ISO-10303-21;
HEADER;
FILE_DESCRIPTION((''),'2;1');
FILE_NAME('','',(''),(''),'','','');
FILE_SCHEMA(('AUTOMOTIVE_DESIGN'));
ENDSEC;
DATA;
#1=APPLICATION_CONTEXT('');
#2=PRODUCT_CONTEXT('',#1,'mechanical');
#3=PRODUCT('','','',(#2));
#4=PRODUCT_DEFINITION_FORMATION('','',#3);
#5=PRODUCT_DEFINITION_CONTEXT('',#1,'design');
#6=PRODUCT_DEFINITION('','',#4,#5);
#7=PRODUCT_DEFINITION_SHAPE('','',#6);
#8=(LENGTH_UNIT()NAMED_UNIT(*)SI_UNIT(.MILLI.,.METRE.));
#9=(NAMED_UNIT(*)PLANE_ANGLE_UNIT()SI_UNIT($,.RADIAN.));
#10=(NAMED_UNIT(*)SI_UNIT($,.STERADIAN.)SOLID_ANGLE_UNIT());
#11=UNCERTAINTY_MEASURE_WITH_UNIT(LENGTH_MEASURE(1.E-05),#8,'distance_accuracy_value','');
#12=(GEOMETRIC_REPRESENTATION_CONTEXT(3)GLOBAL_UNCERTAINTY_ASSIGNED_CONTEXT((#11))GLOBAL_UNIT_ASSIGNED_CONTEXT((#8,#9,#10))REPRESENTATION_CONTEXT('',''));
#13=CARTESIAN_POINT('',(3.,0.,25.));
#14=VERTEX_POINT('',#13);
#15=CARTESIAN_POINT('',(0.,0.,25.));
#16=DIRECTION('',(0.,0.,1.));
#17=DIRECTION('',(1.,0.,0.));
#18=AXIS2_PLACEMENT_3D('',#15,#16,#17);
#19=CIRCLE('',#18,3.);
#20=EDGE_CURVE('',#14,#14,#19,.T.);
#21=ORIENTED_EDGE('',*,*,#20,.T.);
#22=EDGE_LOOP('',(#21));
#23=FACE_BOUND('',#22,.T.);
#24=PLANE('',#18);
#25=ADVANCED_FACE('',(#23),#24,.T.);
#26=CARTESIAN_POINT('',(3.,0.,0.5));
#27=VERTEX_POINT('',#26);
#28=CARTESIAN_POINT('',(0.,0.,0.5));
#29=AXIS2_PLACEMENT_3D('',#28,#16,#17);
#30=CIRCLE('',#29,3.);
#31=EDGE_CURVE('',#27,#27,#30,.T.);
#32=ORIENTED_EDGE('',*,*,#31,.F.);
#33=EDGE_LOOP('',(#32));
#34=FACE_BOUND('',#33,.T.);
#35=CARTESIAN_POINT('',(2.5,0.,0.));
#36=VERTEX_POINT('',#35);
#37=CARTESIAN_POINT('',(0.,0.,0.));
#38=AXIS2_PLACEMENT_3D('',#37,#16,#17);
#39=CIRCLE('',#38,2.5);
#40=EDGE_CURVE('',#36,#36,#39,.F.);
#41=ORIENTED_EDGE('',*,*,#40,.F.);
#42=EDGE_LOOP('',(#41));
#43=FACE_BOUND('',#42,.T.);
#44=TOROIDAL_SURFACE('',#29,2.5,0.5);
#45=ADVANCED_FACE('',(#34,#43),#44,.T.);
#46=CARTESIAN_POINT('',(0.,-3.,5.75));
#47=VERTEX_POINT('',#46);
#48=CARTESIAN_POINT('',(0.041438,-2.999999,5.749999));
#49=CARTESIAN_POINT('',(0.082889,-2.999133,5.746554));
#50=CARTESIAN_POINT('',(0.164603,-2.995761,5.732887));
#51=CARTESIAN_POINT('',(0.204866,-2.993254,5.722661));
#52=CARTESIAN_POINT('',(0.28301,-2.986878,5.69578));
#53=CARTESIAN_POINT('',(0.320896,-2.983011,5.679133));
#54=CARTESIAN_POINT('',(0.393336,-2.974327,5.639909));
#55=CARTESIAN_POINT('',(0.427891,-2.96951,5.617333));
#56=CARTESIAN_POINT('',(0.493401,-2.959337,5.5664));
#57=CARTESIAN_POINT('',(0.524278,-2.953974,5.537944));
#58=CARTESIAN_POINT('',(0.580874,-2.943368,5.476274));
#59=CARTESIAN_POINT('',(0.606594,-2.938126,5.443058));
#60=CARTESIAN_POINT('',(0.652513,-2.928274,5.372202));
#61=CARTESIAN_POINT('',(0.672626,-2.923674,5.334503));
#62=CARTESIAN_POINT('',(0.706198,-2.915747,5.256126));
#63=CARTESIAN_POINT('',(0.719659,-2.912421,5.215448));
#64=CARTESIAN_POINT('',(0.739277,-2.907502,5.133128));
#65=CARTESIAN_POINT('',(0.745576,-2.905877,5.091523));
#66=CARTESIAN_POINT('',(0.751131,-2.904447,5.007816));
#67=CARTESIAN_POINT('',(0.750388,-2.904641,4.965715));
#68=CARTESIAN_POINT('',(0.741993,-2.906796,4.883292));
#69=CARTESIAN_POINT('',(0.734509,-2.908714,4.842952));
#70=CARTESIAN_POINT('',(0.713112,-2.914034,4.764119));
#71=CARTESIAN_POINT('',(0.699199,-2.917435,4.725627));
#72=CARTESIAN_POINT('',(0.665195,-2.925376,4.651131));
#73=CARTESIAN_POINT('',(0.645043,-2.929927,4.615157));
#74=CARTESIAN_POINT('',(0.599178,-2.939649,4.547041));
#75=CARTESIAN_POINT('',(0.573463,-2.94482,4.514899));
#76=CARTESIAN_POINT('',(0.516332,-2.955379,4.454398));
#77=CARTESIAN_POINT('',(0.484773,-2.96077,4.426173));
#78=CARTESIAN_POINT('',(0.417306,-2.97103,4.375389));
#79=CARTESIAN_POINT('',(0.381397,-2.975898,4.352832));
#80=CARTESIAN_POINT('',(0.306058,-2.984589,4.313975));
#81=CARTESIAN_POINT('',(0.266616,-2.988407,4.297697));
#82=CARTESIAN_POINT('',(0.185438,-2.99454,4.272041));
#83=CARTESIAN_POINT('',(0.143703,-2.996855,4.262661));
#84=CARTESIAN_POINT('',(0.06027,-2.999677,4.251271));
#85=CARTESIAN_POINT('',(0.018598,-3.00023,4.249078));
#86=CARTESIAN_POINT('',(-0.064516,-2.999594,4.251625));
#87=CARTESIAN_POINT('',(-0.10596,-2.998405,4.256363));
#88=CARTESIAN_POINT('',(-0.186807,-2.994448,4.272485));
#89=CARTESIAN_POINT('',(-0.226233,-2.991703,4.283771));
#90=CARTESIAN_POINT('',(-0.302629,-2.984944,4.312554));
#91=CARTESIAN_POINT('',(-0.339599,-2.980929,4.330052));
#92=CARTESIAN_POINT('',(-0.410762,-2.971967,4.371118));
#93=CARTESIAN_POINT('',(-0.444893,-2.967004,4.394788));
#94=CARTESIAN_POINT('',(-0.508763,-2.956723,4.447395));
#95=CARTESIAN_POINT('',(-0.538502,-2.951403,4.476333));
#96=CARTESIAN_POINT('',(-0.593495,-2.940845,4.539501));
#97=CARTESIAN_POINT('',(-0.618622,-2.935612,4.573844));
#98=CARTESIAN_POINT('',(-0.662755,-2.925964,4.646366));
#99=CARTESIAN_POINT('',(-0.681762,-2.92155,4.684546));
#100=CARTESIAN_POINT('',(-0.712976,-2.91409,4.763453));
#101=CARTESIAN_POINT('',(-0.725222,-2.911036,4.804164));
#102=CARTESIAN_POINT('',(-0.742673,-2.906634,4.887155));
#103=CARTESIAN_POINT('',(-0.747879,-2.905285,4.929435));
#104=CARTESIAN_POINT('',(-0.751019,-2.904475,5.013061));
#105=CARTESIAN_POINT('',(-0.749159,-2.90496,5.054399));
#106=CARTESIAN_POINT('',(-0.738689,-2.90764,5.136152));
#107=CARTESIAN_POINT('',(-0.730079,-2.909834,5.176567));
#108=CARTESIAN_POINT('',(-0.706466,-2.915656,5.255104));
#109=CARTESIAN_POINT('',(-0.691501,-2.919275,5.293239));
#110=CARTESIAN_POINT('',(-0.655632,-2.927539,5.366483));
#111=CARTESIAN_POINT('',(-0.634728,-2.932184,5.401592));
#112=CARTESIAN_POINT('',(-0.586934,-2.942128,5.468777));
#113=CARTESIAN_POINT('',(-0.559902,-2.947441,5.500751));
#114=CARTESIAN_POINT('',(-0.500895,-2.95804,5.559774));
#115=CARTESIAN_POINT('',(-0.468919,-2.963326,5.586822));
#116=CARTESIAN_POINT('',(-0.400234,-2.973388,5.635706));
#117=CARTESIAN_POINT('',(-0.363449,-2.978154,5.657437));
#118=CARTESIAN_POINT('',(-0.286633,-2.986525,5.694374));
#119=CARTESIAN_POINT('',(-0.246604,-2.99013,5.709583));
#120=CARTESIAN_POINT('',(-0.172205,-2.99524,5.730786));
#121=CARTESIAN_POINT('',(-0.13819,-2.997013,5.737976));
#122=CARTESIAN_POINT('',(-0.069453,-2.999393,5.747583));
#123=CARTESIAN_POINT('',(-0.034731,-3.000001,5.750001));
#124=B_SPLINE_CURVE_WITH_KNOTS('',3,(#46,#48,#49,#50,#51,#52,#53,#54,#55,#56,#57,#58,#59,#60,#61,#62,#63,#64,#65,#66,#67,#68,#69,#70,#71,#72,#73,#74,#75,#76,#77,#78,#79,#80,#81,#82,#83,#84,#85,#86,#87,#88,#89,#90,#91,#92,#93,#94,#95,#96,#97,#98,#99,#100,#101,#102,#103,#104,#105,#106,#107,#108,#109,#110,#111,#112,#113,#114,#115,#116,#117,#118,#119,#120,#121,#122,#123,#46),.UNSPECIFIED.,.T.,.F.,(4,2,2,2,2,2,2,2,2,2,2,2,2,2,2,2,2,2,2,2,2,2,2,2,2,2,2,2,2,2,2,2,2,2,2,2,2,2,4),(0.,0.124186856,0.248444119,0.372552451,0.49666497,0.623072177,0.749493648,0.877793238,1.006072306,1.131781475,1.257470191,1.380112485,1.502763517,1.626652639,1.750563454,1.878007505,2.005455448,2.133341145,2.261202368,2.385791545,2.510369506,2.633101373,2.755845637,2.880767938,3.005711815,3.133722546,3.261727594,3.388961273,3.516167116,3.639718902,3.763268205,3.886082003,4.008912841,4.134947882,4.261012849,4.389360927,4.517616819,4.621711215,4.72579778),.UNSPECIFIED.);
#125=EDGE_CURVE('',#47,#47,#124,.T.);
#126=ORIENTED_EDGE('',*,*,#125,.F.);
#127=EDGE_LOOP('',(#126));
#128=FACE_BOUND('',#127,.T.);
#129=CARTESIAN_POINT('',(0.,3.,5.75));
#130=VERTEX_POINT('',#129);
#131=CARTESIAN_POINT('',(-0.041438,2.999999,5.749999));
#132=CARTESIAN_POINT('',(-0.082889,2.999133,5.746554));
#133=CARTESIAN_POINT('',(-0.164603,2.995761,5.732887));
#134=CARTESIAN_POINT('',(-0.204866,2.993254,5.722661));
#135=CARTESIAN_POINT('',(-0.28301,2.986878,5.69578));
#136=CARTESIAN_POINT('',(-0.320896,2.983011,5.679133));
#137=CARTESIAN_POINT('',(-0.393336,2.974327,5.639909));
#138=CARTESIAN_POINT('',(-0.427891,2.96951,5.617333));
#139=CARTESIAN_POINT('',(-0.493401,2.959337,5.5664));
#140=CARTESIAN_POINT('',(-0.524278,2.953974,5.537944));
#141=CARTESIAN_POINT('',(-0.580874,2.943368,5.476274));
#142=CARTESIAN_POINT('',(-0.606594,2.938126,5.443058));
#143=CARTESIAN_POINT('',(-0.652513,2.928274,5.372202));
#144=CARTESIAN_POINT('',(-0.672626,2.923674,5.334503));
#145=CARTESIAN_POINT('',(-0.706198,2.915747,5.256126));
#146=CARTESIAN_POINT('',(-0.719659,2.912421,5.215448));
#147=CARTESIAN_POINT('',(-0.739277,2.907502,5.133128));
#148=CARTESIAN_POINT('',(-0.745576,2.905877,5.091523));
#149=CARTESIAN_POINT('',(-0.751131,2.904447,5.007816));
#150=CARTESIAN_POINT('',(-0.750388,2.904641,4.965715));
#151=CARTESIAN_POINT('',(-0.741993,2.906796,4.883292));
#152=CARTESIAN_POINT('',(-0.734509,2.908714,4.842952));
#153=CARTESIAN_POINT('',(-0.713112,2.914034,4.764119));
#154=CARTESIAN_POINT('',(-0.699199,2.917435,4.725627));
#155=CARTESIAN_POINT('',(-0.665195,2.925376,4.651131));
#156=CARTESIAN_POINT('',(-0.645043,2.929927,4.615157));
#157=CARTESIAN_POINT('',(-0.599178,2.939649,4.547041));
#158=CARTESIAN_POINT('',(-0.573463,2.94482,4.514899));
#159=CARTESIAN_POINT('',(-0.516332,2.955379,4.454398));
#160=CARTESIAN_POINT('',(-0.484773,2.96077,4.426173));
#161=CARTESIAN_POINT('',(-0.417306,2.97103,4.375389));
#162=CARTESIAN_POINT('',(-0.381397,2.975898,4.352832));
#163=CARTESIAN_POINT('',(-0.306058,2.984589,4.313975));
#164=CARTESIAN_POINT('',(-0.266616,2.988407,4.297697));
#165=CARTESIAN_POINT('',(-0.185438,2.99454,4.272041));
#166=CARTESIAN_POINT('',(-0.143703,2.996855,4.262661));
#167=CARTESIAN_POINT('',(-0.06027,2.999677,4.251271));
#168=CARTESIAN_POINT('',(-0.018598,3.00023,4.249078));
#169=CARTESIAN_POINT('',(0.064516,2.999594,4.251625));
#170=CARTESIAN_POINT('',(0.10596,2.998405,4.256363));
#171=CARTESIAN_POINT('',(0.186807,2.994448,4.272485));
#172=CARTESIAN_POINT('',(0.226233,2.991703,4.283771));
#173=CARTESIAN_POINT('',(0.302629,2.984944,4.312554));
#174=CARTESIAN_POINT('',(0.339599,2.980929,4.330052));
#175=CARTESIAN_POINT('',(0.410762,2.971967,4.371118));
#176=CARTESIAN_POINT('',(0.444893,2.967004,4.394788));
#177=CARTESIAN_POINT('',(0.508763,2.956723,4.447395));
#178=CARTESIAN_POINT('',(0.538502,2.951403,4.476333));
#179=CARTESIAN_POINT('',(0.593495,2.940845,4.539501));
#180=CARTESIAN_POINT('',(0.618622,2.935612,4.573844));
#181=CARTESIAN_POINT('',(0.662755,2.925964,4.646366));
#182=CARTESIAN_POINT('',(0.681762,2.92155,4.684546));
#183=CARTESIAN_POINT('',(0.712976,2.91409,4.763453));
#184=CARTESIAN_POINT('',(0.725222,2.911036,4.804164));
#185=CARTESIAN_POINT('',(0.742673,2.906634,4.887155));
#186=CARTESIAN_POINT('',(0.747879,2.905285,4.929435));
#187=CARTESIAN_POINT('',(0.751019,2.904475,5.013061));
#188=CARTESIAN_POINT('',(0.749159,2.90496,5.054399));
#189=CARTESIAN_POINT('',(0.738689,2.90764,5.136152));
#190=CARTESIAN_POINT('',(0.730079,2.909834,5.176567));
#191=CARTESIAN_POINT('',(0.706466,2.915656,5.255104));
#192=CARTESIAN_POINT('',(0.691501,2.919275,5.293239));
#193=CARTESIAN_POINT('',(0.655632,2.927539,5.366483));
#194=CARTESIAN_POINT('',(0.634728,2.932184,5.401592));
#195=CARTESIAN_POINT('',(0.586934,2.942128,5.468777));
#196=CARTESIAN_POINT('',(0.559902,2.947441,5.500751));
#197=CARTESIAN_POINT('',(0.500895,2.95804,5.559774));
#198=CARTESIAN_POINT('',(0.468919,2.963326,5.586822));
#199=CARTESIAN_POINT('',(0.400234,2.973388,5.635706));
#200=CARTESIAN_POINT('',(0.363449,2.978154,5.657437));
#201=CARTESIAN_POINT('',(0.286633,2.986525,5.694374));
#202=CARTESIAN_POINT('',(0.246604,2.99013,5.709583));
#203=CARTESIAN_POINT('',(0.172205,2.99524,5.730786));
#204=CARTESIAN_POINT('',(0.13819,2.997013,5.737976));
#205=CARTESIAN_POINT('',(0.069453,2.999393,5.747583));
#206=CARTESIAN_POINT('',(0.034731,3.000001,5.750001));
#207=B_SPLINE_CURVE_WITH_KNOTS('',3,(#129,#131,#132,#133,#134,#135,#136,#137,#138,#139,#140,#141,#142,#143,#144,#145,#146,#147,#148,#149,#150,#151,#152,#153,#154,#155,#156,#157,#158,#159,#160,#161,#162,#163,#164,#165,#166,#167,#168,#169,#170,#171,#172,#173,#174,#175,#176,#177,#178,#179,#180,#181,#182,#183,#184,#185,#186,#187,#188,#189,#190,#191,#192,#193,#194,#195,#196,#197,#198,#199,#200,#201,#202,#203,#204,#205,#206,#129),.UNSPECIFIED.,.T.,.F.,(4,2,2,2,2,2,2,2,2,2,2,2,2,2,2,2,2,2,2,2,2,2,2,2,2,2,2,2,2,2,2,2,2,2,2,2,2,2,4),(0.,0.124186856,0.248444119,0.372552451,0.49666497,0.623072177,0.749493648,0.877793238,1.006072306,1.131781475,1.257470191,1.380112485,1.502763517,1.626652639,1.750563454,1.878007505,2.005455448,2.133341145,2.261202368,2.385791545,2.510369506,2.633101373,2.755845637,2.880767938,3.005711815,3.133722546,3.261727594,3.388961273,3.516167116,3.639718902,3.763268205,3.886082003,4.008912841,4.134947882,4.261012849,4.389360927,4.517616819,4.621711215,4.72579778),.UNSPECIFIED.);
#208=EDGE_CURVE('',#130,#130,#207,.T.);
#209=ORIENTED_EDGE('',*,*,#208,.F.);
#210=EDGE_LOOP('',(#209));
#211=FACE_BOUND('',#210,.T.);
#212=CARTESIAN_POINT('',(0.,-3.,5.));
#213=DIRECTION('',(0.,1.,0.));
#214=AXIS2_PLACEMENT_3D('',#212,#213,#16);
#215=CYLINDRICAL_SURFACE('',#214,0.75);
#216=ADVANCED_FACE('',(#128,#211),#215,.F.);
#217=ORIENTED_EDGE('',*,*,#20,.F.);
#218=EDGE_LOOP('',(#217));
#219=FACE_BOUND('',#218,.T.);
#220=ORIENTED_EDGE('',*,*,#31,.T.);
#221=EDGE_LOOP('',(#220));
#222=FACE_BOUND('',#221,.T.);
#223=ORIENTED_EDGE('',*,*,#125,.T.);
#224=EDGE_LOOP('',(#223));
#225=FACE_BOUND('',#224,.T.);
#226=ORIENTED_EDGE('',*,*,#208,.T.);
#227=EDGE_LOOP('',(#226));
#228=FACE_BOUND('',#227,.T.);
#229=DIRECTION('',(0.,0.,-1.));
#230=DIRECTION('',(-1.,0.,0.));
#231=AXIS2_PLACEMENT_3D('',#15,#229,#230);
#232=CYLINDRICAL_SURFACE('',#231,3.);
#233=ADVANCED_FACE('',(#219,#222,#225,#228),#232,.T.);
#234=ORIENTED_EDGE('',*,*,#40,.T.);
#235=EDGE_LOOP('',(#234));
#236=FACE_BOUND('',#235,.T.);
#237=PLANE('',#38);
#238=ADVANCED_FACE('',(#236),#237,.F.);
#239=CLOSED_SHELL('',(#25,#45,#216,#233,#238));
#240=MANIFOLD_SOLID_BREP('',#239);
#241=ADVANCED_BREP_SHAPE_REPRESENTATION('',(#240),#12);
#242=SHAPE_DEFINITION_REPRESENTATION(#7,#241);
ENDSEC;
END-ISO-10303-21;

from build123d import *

# Parameters (mm, degrees)
SKETCH2_R               = 3
BOSS_EXTRUDE1_DEPTH     = 25
CUT_EXTRUDE1_DEPTH      = 26.357444666
CUT_EXTRUDE1_DEPTH_BACK = 26.357444666
SKETCH3_R               = 0.75
FILLET1_R               = 0.5


with BuildPart() as part:
    # Sketch2 → Boss-Extrude1 (new body)
    with BuildSketch(Plane.XY):
        Circle(SKETCH2_R)
    extrude(amount=BOSS_EXTRUDE1_DEPTH)

    # Sketch3 → Cut-Extrude1 (cut, two sides: drawn at the far end of the back side and taken through both)
    with BuildSketch(Plane(origin=(0, 0, 0), x_dir=(1, 0, 0), z_dir=(0, 1, 0)).offset(-CUT_EXTRUDE1_DEPTH_BACK)):
        with Locations(Location((0, -5, 0), (0, 0, 270))):
            Circle(SKETCH3_R)
    extrude(amount=CUT_EXTRUDE1_DEPTH + CUT_EXTRUDE1_DEPTH_BACK, mode=Mode.SUBTRACT)

    # Fillet1
    fillet1_edges = [part.edges().sort_by_distance(p)[0] for p in [
        (-3, 0, 0),
    ]]
    fillet(fillet1_edges, radius=FILLET1_R)


solid = part.part
